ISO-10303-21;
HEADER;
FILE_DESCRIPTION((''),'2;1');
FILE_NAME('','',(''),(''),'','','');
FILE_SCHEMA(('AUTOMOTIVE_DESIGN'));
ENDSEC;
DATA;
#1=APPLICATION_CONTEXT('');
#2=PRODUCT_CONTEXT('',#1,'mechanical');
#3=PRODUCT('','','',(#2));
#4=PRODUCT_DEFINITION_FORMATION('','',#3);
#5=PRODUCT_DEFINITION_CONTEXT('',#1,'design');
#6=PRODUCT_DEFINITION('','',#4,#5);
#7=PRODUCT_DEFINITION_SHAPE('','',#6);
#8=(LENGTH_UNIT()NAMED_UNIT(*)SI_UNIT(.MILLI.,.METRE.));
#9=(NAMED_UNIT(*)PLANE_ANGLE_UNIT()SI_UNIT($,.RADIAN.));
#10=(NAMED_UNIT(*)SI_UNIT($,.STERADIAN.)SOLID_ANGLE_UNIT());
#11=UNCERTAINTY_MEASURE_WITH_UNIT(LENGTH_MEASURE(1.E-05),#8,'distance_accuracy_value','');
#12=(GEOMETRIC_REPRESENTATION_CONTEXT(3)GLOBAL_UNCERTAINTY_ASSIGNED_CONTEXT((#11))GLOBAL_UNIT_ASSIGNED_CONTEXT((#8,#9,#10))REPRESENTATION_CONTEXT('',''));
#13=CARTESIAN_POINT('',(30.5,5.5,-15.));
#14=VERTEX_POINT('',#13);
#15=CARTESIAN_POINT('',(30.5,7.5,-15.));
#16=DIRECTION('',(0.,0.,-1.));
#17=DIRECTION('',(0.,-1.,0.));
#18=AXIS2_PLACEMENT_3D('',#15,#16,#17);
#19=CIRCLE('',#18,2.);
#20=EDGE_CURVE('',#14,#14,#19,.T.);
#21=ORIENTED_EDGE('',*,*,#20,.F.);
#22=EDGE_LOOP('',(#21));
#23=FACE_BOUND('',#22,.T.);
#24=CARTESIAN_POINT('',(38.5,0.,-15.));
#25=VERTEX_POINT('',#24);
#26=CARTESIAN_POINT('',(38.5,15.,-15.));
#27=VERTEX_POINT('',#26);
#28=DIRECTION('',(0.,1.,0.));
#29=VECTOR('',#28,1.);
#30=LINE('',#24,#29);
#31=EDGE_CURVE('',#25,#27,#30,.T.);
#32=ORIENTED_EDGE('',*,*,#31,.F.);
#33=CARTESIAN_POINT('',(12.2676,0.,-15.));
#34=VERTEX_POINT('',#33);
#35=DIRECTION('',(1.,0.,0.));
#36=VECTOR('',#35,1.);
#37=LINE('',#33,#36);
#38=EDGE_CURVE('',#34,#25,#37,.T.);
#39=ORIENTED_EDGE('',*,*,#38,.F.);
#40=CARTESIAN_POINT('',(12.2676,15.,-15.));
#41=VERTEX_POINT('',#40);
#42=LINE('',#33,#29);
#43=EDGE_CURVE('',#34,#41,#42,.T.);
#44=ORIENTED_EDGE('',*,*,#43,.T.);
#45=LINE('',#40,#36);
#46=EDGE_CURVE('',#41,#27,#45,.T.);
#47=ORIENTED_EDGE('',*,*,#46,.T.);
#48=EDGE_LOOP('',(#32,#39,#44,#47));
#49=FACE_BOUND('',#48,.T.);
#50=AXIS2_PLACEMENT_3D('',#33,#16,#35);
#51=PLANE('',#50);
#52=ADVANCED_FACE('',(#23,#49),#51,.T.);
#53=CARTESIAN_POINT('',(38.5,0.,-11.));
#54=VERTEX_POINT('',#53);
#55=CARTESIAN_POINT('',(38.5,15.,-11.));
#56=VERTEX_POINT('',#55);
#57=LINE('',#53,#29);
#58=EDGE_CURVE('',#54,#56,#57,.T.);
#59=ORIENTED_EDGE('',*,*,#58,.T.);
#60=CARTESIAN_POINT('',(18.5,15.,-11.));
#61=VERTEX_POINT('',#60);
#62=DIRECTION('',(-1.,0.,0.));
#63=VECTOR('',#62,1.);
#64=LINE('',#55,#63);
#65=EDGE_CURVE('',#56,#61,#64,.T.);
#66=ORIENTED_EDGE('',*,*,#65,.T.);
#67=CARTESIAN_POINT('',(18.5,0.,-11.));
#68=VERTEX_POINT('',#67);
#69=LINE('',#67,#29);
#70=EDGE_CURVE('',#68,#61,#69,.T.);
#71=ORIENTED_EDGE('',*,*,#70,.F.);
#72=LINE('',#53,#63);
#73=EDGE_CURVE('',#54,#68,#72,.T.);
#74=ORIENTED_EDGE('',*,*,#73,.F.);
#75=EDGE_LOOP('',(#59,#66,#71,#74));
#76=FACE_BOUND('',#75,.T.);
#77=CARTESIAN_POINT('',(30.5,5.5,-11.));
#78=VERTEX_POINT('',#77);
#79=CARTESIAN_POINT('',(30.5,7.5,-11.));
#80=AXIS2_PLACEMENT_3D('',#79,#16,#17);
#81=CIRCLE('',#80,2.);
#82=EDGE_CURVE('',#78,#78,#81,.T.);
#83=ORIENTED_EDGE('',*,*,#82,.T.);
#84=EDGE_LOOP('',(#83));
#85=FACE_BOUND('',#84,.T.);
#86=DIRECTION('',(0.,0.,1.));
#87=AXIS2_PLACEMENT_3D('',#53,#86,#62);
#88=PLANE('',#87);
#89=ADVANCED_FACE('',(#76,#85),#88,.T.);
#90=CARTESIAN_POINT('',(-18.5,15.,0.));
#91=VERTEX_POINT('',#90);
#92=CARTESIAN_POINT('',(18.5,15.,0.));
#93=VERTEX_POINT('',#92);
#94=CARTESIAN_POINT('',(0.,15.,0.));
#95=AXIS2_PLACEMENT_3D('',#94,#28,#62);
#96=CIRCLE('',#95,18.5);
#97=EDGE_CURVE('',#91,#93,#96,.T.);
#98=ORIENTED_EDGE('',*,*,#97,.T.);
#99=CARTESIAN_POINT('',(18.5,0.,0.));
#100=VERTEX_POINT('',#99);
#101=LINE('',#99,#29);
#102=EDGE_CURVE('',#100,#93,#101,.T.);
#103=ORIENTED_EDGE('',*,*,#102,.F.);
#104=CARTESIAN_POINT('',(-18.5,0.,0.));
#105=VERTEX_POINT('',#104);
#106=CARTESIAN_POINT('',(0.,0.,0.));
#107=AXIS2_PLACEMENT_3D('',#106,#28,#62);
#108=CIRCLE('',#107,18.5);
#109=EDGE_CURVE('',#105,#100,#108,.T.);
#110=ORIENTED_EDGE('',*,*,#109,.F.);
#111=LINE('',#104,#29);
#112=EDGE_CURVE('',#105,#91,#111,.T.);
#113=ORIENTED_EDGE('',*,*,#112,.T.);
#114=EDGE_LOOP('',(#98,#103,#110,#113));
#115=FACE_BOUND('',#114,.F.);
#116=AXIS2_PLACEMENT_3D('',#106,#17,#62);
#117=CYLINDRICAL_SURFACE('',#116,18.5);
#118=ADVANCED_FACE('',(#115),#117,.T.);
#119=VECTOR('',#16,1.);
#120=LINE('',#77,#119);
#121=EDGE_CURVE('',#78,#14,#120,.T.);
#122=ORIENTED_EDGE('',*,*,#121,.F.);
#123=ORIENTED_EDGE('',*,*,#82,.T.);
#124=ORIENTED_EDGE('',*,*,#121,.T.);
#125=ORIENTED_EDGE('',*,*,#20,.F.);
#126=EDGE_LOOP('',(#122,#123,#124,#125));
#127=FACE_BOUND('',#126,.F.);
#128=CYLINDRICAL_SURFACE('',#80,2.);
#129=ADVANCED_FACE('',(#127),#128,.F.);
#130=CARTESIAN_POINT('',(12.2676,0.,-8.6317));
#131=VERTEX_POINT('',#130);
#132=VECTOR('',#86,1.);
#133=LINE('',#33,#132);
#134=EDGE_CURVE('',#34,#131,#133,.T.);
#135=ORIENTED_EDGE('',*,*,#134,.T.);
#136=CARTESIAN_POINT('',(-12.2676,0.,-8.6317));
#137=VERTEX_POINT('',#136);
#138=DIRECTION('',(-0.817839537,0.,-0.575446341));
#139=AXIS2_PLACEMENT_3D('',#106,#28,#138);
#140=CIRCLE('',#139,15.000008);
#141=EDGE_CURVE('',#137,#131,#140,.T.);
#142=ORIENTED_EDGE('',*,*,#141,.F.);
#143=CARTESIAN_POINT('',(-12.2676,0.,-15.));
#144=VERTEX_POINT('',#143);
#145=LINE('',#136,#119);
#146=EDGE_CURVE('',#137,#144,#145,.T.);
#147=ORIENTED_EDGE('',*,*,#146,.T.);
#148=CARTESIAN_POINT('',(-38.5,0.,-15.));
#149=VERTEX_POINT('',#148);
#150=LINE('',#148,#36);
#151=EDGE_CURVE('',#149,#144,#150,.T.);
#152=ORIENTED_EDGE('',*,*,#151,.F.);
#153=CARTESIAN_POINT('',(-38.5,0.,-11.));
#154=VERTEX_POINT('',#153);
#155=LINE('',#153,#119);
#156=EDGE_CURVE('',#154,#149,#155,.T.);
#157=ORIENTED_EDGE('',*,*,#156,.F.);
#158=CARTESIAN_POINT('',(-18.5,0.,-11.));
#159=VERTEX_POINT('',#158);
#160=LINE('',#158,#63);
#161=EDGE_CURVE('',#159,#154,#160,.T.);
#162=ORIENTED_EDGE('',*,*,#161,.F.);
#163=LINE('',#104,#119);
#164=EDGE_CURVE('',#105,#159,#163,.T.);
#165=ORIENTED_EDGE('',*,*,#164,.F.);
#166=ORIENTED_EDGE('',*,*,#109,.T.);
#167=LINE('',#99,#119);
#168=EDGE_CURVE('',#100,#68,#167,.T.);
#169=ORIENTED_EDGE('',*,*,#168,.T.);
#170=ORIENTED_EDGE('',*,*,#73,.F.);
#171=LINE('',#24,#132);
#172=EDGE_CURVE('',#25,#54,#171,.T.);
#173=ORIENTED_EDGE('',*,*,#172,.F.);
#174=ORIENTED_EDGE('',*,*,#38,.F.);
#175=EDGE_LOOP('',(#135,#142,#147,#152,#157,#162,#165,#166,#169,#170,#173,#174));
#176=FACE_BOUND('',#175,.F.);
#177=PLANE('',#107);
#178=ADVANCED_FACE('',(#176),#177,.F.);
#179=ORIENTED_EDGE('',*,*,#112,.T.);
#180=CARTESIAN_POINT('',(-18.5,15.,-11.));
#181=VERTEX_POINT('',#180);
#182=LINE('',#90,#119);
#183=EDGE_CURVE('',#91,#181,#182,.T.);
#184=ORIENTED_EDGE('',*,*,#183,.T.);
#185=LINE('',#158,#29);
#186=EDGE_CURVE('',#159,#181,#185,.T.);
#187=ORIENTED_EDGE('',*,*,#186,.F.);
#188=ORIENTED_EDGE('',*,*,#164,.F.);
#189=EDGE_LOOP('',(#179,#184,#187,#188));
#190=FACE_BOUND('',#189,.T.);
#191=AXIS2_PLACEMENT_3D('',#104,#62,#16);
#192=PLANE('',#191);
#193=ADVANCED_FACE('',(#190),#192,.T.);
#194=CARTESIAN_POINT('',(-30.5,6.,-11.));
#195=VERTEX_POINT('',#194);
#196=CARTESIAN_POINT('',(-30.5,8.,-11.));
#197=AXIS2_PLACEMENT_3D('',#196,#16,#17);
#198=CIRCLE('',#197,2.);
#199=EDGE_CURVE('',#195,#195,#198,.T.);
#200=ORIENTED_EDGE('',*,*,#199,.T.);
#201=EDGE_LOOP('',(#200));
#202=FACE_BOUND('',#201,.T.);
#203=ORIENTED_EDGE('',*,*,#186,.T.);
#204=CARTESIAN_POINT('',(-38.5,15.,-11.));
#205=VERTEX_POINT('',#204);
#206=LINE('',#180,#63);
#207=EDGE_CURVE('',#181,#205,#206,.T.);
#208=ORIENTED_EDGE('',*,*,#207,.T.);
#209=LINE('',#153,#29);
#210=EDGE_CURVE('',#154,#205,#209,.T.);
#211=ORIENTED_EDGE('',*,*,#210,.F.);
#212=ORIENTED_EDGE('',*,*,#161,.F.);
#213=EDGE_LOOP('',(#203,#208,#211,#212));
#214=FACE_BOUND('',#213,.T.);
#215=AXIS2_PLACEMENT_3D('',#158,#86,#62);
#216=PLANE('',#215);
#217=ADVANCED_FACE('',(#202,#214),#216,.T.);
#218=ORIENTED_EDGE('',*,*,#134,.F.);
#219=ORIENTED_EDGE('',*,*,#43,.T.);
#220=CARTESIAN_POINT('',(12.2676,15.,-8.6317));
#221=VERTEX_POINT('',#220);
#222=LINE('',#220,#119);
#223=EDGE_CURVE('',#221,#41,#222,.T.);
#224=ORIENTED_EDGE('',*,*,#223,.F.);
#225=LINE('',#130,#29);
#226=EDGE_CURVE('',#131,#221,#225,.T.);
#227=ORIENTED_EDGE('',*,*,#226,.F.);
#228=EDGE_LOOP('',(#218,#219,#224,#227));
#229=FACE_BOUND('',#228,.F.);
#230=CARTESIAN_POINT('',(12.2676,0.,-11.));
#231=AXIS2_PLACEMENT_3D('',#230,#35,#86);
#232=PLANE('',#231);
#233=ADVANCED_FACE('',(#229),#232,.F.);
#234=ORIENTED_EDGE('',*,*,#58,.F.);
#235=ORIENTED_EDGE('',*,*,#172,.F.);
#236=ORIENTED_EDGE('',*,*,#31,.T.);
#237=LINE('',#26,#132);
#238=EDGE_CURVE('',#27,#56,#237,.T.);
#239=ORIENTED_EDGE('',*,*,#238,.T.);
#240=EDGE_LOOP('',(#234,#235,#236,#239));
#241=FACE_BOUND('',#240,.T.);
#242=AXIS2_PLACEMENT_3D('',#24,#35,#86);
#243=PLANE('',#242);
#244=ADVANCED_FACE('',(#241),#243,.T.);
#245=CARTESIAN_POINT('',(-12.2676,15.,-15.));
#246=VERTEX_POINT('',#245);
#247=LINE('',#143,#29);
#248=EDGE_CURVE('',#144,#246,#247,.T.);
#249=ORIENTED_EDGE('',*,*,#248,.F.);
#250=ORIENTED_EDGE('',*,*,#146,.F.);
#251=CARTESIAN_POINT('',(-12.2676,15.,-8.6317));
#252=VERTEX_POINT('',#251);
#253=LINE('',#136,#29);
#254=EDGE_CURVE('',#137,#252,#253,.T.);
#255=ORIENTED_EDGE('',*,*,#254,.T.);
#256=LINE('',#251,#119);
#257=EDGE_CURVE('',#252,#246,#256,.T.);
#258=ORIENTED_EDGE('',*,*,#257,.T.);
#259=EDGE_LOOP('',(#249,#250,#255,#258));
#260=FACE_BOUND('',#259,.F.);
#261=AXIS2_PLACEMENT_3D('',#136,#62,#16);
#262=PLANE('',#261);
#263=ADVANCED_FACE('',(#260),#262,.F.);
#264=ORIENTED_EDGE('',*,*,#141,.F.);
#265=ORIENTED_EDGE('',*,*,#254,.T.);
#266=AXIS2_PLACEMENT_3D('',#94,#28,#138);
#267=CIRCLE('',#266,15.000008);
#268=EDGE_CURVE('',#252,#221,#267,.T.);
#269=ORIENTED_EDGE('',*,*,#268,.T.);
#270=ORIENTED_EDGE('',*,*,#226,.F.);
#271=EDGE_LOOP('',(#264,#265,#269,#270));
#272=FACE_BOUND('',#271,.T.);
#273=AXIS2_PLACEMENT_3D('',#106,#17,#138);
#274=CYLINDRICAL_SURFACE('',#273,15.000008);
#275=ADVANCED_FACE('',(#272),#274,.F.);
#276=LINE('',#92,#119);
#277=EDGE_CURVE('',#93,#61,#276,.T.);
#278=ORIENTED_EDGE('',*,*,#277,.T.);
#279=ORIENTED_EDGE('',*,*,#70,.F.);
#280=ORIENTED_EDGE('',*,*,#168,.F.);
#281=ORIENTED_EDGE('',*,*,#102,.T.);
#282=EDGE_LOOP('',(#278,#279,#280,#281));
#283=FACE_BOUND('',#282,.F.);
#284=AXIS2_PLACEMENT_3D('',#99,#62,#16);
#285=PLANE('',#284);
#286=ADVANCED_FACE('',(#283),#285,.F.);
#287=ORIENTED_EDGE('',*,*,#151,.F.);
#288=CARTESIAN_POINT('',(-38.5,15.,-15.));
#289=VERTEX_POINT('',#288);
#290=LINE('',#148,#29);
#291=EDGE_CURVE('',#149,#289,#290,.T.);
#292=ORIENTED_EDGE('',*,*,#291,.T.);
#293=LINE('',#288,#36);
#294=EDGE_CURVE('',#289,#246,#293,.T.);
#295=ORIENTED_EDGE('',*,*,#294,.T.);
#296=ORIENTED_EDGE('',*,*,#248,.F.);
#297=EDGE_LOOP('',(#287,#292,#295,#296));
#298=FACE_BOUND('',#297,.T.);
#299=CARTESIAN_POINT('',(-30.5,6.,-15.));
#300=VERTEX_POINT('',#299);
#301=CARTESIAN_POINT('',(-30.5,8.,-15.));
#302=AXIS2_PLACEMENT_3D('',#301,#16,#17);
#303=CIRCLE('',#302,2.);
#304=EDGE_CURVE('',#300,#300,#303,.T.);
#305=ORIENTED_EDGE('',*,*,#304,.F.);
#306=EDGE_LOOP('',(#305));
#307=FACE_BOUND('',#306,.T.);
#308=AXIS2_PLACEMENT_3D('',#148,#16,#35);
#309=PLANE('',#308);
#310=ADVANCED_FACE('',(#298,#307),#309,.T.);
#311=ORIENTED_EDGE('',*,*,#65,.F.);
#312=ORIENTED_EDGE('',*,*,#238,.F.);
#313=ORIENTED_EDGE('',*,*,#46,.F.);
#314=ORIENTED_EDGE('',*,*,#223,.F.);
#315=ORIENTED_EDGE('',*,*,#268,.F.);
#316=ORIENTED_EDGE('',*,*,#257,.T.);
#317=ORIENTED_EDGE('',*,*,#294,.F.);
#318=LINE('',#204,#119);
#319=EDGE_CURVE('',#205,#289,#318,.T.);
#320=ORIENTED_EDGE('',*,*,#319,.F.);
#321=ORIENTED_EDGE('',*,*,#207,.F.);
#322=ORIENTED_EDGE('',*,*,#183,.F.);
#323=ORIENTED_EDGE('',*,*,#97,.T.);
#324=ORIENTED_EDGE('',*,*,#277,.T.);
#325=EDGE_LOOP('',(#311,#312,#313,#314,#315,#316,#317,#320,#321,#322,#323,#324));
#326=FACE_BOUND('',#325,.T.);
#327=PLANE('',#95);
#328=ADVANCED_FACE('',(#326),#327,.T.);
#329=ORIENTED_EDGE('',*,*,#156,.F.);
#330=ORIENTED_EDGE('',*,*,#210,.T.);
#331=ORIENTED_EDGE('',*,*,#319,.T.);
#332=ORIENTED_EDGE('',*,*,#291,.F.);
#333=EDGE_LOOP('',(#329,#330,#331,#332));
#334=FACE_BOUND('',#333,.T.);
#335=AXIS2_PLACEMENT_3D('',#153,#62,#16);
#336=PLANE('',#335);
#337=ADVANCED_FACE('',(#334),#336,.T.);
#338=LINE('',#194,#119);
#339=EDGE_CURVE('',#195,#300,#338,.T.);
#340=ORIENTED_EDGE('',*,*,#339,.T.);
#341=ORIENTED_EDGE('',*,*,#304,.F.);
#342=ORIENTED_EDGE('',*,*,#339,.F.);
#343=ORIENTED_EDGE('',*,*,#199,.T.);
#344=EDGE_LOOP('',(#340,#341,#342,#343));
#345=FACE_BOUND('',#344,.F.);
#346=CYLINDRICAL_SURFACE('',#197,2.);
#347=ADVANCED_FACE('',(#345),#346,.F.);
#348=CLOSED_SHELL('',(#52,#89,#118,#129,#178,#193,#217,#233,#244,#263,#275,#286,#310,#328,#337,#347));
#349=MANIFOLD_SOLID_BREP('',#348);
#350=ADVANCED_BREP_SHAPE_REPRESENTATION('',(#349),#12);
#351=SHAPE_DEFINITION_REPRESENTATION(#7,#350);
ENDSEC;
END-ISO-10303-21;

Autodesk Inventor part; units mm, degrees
ref_plane "YZ Plane" through (0, 0, 0) normal (1, 0, 0) x (0, 1, 0)
ref_plane "XZ Plane" through (0, 0, 0) normal (0, 1, 0) x (-1, 0, 0)
ref_plane "XY Plane" through (0, 0, 0) normal (0, 0, 1) x (1, 0, 0)
sketch "Sketch1" plane through (0, 0, 0) normal (0, 1, 0) x (-1, 0, 0)
  arc A0 (12.2676, -8.6317) -> (-12.2676, -8.6317) centre (0, 0) ccw
  line L0 (-12.2676, -15) -> (-38.5, -15)
  arc A1 (18.5, 0) -> (-18.5, 0) centre (0, 0) ccw
  line L1 (-38.5, -15) -> (-38.5, -11)
  line L2 (-18.5, 0) -> (-18.5, -11)
  line L3 (-38.5, -11) -> (-18.5, -11)
  line L4 (-12.2676, -15) -> (-12.2676, -11)
  line L5 (-12.2676, -11) -> (-12.2676, -8.6317)
  line L6 (38.5, -11) -> (38.5, -15)
  line L7 (38.5, -15) -> (12.2676, -15)
  line L8 (18.5, 0) -> (18.5, -11)
  line L9 (18.5, -11) -> (38.5, -11)
  line L10 (12.2676, -8.6317) -> (12.2676, -15)
  dimension "d0" = 30
  dimension "d1" = 37
  dimension "d2" = 4
  dimension "d3" = 4
  dimension "d4" = 20
  dimension "d5" = 20
extrude "Extrusion1" add sketch "Sketch1" along normal blind 15
hole "Hole1" at (-30.5, 8, -11) direction (0, 0, -1) diameter 4 depth 8 tip angle 118
hole "Hole2" at (30.5, 7.5, -11) direction (0, 0, -1) diameter 4 depth 8 tip angle 118
properties part number "Rohrhalterung"
